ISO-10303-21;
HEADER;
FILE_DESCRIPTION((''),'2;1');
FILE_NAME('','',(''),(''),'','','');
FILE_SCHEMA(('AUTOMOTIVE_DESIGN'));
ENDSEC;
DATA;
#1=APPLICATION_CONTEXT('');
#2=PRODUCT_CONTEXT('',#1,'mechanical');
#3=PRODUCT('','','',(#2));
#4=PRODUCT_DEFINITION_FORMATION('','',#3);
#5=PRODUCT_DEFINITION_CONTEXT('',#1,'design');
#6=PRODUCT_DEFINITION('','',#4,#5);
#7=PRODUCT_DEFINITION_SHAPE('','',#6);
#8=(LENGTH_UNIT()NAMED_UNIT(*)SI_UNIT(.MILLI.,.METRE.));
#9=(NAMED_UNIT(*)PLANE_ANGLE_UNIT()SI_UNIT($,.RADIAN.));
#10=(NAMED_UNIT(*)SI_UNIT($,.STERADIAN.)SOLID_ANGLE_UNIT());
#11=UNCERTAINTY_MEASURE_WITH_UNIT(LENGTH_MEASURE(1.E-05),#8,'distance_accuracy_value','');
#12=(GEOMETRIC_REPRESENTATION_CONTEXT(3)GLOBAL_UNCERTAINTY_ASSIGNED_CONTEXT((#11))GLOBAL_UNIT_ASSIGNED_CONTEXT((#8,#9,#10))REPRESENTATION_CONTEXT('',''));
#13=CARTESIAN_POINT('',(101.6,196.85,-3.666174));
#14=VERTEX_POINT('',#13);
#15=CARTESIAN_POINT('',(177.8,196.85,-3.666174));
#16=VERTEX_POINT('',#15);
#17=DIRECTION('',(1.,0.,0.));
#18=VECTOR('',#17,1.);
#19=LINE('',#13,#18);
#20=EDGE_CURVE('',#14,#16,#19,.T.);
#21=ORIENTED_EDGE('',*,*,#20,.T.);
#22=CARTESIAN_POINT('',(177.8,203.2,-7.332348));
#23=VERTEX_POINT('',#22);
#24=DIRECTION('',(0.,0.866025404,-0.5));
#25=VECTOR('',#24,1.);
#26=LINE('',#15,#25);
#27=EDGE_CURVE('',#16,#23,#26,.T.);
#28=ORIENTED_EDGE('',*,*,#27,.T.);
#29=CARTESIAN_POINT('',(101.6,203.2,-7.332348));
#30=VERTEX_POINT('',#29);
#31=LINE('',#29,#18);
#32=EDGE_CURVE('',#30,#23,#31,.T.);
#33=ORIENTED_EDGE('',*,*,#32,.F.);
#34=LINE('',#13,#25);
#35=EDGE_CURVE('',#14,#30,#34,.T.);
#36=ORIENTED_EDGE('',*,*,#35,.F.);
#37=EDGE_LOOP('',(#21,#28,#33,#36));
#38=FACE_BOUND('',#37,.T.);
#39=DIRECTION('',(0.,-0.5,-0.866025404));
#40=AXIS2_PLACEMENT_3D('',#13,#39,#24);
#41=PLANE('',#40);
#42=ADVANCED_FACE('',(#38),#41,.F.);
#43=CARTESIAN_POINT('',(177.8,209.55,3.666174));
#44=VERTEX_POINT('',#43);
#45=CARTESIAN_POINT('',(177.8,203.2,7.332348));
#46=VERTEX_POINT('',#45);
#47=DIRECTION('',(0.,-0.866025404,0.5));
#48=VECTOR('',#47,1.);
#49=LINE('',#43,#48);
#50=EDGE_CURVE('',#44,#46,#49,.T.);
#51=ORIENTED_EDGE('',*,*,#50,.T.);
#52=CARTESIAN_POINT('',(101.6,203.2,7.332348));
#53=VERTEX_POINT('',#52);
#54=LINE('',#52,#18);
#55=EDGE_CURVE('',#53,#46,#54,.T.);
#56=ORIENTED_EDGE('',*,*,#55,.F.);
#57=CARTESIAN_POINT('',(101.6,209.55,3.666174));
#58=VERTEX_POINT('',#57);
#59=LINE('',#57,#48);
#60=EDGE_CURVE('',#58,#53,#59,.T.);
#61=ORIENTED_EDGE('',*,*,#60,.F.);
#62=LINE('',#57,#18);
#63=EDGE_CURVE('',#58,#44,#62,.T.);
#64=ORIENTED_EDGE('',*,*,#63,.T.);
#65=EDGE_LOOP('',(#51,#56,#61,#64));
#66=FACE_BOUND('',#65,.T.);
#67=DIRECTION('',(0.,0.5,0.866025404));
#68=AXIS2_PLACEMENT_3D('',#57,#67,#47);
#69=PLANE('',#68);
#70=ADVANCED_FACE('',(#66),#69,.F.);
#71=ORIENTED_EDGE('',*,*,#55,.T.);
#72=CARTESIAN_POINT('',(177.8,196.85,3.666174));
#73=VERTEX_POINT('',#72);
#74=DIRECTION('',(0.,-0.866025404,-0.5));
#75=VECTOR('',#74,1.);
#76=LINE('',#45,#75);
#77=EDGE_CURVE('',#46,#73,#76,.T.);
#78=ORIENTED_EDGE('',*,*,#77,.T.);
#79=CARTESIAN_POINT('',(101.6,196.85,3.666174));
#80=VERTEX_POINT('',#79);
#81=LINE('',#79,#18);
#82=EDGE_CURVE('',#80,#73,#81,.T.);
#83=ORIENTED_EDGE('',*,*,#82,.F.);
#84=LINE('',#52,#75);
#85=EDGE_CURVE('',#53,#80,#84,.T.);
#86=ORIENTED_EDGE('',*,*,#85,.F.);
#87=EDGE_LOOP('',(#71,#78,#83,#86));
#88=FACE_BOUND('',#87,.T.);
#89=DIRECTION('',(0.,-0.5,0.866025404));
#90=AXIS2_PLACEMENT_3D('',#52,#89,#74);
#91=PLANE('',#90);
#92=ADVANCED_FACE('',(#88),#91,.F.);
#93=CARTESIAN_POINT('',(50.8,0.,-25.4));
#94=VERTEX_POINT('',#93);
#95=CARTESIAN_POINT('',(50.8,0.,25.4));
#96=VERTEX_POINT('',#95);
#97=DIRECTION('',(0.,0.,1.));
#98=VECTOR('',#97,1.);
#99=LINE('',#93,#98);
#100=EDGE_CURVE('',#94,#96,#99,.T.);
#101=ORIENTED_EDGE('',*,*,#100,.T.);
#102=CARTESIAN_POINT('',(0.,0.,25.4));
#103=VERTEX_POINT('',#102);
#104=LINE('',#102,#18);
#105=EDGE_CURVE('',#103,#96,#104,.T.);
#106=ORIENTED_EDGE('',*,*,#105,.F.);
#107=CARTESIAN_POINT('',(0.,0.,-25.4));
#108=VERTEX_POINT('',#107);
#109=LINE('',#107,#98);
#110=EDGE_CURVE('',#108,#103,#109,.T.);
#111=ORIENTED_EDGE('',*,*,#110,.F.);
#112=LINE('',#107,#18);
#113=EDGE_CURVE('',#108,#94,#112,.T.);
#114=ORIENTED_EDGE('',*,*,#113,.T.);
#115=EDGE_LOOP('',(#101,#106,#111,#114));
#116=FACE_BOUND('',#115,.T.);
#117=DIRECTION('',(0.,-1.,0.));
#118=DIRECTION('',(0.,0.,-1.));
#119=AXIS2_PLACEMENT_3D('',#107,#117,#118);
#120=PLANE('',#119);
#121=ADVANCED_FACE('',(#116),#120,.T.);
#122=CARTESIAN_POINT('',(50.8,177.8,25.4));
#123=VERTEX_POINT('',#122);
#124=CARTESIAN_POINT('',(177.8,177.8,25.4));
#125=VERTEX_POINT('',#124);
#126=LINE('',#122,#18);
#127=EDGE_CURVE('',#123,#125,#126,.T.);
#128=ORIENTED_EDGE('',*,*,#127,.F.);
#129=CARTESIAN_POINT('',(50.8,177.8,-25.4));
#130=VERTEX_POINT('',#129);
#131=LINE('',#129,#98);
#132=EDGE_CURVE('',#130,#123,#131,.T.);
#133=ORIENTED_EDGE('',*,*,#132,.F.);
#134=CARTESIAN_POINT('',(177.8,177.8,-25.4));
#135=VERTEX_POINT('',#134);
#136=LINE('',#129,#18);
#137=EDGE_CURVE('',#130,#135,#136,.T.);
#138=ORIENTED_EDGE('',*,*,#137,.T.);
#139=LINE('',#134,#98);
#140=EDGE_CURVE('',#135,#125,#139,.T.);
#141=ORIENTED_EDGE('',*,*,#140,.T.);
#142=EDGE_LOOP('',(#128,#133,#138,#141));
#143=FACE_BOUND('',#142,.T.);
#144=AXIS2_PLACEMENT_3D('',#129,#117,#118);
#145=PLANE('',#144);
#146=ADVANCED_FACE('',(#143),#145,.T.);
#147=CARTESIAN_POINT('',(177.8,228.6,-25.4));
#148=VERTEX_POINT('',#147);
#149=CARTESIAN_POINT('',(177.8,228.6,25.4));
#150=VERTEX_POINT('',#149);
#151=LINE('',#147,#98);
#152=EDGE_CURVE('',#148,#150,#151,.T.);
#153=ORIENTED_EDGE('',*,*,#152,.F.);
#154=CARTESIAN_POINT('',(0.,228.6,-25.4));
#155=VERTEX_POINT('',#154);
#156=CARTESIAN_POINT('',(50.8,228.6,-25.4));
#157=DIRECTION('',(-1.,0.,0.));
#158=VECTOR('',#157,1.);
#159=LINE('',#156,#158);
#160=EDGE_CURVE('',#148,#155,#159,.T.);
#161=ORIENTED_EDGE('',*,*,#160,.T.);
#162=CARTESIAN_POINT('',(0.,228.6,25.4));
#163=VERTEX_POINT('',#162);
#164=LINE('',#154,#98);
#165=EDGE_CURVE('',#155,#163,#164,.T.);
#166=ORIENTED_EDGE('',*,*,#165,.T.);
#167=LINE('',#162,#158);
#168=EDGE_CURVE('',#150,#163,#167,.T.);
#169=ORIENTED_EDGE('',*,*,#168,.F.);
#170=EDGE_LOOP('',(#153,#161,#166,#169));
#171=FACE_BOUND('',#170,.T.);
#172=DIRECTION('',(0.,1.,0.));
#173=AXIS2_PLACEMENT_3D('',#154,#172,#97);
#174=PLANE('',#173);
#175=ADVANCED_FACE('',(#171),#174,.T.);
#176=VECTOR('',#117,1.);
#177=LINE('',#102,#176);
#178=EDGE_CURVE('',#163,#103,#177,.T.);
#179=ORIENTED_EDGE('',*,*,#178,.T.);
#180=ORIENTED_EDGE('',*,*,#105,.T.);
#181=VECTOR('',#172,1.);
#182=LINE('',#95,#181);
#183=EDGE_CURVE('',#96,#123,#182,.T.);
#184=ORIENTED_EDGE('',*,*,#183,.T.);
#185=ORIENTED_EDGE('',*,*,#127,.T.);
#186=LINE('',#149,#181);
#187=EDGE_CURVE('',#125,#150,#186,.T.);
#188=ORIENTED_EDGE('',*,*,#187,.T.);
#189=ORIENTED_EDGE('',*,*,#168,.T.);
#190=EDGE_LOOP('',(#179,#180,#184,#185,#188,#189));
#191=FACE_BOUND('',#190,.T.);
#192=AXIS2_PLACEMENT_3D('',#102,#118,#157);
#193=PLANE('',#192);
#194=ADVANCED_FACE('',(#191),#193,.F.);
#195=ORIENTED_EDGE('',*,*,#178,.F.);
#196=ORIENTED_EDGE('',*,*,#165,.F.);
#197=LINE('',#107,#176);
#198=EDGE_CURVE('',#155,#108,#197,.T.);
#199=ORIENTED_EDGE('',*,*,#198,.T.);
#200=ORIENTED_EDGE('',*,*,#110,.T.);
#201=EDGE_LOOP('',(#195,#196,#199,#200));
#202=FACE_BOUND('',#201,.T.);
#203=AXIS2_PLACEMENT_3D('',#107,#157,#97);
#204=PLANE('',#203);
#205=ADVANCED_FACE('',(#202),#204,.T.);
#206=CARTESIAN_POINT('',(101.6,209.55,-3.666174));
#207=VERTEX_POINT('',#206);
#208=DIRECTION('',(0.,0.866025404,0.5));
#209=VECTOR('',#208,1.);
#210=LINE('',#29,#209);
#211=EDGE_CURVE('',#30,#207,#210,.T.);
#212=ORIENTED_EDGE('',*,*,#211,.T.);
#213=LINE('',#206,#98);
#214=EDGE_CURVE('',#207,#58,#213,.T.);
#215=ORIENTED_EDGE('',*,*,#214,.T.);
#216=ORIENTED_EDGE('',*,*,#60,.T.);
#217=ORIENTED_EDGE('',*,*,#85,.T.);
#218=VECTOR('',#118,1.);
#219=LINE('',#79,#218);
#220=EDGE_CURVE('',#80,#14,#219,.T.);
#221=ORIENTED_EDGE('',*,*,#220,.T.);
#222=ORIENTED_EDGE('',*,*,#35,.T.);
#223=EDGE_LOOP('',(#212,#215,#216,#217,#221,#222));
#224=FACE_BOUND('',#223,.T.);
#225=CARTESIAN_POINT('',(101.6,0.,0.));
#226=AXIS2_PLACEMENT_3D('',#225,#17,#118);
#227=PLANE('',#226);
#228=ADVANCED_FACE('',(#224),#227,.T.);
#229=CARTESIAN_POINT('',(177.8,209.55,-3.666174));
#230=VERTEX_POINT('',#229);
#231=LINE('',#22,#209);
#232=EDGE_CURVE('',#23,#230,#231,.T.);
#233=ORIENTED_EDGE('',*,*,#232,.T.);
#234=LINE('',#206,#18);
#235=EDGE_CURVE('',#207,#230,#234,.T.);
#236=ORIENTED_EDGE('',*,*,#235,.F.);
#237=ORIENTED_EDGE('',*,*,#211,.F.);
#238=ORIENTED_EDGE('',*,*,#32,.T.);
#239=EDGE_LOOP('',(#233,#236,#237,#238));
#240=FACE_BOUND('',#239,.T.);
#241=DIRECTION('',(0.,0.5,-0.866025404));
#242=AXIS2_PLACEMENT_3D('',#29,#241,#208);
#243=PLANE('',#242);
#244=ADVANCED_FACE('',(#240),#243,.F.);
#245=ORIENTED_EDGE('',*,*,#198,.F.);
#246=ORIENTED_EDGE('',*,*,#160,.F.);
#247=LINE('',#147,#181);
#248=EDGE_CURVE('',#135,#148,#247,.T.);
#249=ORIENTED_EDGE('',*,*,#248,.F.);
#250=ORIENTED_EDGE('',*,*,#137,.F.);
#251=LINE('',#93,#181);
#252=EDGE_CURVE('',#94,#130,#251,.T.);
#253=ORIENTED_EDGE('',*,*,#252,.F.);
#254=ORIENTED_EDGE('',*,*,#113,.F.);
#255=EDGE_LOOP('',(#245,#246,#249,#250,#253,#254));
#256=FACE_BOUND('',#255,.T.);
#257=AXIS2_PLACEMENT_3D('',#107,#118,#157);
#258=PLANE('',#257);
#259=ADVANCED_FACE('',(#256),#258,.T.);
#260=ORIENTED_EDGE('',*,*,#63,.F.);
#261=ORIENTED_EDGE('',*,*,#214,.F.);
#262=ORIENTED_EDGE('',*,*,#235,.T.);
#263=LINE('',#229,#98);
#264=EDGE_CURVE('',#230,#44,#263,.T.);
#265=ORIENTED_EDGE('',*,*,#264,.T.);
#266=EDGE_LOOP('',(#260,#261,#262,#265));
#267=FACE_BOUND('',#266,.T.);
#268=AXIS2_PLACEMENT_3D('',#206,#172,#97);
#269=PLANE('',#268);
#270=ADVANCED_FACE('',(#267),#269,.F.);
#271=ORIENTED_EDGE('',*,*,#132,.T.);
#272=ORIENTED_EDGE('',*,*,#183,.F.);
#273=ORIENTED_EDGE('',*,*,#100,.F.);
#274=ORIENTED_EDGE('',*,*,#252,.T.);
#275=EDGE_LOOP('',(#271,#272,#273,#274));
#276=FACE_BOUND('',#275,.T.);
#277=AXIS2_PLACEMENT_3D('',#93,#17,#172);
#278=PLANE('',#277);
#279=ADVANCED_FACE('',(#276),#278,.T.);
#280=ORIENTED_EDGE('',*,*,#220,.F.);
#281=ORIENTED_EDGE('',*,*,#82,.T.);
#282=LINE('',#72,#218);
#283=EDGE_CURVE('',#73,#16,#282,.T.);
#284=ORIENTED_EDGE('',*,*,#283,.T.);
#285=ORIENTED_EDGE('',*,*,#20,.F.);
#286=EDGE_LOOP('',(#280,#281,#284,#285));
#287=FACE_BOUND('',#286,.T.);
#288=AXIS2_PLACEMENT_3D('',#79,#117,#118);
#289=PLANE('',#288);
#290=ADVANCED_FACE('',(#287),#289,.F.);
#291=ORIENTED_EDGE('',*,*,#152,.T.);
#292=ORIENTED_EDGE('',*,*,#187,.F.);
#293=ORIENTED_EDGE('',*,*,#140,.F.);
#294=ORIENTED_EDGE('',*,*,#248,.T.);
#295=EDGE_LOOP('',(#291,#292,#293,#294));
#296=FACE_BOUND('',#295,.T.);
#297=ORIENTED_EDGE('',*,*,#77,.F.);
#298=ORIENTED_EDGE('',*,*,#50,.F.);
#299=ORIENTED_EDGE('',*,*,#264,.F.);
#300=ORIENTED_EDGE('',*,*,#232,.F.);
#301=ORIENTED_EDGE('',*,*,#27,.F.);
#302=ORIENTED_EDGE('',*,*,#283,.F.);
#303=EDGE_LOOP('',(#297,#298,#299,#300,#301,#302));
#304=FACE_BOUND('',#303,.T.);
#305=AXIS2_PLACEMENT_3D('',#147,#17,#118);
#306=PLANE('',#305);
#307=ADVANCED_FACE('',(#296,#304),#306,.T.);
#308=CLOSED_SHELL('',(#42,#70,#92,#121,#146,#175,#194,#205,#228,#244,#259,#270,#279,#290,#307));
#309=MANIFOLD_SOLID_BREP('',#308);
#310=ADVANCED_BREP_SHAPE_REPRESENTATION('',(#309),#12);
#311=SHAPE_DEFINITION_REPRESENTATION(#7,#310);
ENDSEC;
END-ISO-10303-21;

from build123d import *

# Parameters (mm, degrees)
BOSS_EXTRUDE1_DEPTH = 25.4
CUT_EXTRUDE1_DEPTH  = 76.2


with BuildPart() as part:
    # Sketch2 → Boss-Extrude1 (new, symmetric)
    with BuildSketch(Plane.XY):
        Polygon((0, 0), (50.8, 0), (50.8, 177.8), (177.8, 177.8), (177.8, 228.6), (50.8, 228.6), (0, 228.6), align=None)
    extrude(amount=BOSS_EXTRUDE1_DEPTH, both=True)

    # Sketch3 → Cut-Extrude1 (cut)
    with BuildSketch(Plane(origin=(177.8, 0, 0), x_dir=(0, 0, -1), z_dir=(1, 0, 0))):
        Polygon((7.332348419, 203.2), (3.666174209, 209.55), (-3.666174209, 209.55), (-7.332348419, 203.2), (-3.666174209, 196.85), (3.666174209, 196.85), align=None)
    extrude(amount=-CUT_EXTRUDE1_DEPTH, mode=Mode.SUBTRACT)


solid = part.part
